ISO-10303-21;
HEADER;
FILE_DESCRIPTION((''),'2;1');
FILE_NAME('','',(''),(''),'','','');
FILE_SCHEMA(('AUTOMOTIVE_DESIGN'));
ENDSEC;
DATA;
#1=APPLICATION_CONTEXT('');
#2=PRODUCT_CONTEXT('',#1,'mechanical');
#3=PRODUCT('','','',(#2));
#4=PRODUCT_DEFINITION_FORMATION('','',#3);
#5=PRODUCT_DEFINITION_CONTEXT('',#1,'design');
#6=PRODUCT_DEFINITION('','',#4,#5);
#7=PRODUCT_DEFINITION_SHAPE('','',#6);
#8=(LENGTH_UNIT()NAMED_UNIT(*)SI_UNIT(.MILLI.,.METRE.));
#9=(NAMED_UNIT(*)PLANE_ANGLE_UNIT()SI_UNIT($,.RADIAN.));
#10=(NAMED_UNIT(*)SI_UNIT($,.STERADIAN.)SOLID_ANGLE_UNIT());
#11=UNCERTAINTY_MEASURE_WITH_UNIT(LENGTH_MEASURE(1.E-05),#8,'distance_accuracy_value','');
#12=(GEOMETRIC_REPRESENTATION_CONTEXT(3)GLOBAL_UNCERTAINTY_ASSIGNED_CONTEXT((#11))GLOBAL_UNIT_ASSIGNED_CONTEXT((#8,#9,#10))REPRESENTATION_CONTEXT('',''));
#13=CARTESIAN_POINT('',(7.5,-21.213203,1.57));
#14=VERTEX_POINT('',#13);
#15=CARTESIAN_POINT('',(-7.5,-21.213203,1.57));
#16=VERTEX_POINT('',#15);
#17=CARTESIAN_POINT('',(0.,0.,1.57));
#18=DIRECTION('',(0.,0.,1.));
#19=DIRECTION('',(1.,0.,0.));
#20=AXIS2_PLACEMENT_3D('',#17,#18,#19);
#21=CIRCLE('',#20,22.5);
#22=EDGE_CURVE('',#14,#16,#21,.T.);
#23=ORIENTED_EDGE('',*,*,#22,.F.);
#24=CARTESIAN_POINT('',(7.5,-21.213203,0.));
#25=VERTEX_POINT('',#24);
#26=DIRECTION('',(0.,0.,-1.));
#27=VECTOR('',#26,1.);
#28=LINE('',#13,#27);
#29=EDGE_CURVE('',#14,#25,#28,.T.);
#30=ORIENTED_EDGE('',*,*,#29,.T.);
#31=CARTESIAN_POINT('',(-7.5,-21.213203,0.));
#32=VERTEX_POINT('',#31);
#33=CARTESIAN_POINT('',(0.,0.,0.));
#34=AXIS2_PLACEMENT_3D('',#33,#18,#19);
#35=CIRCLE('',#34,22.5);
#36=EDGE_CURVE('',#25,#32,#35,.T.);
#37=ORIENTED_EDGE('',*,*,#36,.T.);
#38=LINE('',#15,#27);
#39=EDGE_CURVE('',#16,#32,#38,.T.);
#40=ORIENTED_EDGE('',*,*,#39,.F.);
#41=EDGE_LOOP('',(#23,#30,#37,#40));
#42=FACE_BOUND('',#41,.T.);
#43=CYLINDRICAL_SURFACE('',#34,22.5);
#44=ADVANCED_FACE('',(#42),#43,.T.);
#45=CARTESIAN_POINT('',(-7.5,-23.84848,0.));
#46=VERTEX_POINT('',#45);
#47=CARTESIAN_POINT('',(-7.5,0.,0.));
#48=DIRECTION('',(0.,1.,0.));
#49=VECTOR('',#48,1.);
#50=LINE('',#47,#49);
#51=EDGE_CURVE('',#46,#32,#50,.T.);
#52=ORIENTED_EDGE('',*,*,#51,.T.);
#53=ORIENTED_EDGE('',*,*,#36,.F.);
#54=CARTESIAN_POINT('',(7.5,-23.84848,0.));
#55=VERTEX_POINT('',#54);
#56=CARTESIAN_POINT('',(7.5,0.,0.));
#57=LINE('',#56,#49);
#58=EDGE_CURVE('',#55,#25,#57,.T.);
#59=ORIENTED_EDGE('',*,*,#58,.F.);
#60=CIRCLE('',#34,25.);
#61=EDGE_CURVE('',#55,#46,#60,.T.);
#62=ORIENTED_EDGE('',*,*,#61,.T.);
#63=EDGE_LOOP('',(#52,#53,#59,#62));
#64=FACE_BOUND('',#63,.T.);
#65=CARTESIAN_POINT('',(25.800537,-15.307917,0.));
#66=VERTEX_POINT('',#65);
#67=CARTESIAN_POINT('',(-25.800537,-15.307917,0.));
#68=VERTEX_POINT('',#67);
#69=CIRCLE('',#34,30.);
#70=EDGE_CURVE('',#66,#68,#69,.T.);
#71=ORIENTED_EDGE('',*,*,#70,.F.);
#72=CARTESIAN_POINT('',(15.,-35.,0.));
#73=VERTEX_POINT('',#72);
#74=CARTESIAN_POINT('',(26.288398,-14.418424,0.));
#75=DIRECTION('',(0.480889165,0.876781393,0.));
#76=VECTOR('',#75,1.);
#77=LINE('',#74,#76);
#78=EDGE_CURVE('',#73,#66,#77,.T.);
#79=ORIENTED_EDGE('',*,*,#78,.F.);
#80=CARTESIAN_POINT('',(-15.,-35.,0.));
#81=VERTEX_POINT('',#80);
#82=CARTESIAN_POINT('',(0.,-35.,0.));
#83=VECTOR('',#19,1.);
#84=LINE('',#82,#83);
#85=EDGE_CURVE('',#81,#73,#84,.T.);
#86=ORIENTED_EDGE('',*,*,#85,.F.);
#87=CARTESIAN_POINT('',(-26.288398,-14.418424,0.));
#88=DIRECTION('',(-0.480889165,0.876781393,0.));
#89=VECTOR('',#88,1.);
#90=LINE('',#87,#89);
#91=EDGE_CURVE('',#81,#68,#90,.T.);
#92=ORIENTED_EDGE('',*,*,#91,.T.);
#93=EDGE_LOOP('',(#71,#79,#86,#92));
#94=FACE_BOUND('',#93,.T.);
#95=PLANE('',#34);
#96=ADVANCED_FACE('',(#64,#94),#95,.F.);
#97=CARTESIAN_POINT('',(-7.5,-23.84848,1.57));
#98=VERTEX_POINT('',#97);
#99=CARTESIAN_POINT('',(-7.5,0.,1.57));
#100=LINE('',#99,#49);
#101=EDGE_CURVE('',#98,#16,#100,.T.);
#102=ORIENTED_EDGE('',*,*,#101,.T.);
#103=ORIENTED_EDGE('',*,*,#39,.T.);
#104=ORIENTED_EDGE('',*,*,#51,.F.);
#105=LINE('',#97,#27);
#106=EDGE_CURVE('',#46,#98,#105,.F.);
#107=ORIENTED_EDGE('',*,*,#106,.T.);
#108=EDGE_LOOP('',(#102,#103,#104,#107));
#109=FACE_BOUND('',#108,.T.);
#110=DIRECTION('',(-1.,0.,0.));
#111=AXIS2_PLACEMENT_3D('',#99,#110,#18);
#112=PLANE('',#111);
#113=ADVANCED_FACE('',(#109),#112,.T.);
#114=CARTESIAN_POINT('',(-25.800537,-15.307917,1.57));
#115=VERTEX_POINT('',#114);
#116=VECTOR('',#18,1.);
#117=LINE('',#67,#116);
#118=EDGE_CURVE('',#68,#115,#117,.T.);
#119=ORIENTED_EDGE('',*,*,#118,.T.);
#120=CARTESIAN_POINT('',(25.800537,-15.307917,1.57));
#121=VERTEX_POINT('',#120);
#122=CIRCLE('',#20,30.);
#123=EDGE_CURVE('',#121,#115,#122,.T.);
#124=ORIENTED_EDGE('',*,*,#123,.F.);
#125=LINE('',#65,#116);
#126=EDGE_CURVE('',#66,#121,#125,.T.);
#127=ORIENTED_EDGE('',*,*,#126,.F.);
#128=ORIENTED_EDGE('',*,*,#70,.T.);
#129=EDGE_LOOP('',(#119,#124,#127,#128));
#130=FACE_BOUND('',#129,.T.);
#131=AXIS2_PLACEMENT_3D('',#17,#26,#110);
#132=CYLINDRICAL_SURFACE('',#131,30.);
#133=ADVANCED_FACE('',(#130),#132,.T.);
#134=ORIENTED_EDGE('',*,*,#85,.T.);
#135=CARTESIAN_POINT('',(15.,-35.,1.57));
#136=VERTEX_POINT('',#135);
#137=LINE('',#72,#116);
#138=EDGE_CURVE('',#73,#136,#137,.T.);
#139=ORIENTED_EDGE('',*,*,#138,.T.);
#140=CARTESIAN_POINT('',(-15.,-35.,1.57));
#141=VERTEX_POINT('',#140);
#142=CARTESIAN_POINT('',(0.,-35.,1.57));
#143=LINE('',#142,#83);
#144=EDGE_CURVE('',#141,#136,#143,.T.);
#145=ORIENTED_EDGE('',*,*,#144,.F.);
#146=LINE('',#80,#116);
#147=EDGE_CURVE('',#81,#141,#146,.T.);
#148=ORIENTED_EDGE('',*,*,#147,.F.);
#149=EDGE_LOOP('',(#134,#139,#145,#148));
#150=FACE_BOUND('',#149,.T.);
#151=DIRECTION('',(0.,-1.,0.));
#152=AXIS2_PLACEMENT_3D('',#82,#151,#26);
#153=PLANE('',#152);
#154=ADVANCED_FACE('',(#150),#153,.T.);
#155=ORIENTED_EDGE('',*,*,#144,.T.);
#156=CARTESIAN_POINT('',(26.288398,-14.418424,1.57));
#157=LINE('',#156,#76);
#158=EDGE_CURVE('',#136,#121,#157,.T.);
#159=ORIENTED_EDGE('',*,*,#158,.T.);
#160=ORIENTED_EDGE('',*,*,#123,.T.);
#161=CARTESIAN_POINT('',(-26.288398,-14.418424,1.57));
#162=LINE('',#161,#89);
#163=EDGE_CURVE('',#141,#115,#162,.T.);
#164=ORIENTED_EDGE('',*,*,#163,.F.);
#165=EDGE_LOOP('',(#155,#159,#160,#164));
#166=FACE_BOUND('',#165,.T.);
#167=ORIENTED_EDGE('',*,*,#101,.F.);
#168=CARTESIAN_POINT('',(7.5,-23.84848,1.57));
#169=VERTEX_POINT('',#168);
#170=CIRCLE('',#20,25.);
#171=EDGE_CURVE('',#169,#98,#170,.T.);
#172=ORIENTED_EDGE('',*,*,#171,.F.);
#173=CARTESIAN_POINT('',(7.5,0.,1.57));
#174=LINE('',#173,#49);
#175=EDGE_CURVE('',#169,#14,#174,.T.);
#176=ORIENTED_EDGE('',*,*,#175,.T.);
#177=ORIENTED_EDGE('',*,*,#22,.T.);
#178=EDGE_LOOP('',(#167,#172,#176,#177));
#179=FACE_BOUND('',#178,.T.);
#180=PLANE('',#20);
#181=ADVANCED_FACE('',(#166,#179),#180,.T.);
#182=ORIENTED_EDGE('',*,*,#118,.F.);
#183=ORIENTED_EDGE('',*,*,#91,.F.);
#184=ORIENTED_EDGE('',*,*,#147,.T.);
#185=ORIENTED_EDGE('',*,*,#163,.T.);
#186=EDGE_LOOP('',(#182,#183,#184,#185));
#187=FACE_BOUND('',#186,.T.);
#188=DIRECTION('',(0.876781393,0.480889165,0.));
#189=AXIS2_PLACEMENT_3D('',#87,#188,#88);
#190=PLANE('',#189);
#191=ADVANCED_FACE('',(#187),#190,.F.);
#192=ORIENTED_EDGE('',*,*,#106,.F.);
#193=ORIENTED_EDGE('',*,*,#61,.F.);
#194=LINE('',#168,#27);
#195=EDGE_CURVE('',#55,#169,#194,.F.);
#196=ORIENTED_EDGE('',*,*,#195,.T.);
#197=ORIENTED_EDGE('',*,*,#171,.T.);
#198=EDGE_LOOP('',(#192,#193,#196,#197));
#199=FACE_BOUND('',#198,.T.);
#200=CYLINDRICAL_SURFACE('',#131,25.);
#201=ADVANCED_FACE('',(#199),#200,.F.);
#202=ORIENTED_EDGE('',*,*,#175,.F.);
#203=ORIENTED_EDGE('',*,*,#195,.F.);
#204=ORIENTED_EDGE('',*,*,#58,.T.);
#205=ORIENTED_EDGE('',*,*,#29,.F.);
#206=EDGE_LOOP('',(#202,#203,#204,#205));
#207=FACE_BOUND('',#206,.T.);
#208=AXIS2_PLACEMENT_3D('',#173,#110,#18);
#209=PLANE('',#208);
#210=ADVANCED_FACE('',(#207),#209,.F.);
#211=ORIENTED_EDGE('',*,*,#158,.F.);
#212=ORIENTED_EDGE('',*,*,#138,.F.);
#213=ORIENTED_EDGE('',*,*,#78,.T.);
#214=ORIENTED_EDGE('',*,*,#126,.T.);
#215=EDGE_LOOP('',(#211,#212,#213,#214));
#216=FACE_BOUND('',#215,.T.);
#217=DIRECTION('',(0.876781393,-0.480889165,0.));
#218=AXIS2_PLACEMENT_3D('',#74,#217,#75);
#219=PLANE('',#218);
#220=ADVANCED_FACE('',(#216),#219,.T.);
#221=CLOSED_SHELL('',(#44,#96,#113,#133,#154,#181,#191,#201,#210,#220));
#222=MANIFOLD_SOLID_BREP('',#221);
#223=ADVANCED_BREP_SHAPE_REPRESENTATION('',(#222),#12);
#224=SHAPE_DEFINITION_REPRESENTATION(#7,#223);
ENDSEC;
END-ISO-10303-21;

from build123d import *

# Parameters (mm, degrees)
ESBO_O1_R           = 30
ESBO_O1_R_2         = 25
BOSS_EXTRUDE1_DEPTH = 1.57
BOSS_EXTRUDE2_START = -1.57
BOSS_EXTRUDE2_DEPTH = 1.57
BOSS_EXTRUDE3_DEPTH = 1.57
BOSS_EXTRUDE4_START = -1.57
SKETCH4_R           = 22.5
BOSS_EXTRUDE4_DEPTH = 1.57


with BuildPart() as part:
    # Esboço1 → Boss-Extrude1 (new body)
    with BuildSketch(Plane.XY):
        Circle(ESBO_O1_R)
        Circle(ESBO_O1_R_2, mode=Mode.SUBTRACT)
    extrude(amount=BOSS_EXTRUDE1_DEPTH)

    # Sketch1 → Boss-Extrude2 (add)
    with BuildSketch(Plane.XY.offset(1.57).offset(BOSS_EXTRUDE2_START)):
        with BuildLine():
            Line((-25.800536663, -15.307916512), (-15, -35))
            Line((-15, -35), (-15, -25.980762114))
            ThreePointArc((-15, -25.980762114), (-21.086686707, -21.338970071), (-25.800536663, -15.307916512))
        make_face()
        with BuildLine():
            Line((-15, -35), (0, -35))
            Line((0, -35), (0, -30))
            ThreePointArc((0, -30), (-7.764571353, -28.977774789), (-15, -25.980762114))
            Line((-15, -25.980762114), (-15, -35))
        make_face()
        with BuildLine():
            Line((0, -35), (15, -35))
            Line((15, -35), (15, -25.980762114))
            ThreePointArc((15, -25.980762114), (7.764571353, -28.977774789), (0, -30))
            Line((0, -30), (0, -35))
        make_face()
        with BuildLine():
            Line((15, -25.980762114), (15, -35))
            Line((15, -35), (25.800536663, -15.307916512))
            ThreePointArc((25.800536663, -15.307916512), (21.086686707, -21.338970071), (15, -25.980762114))
        make_face()
    extrude(amount=BOSS_EXTRUDE2_DEPTH)

    # Sketch2 → Boss-Extrude3 (add)
    with BuildSketch(Plane.XY):
        with BuildLine():
            ThreePointArc((7.5, -21.213203436), (0, -22.5), (-7.5, -21.213203436))
            Line((-7.5, -21.213203436), (-7.5, -25))
            Line((-7.5, -25), (-2.5, -25))
            Line((-2.5, -25), (2.5, -25))
            Line((2.5, -25), (7.5, -25))
            Line((7.5, -25), (7.5, -21.213203436))
        make_face()
    extrude(amount=BOSS_EXTRUDE3_DEPTH)

    # Sketch4 → Boss-Extrude4 (add)
    with BuildSketch(Plane.XY.offset(1.57).offset(BOSS_EXTRUDE4_START)):
        Circle(SKETCH4_R)
    extrude(amount=BOSS_EXTRUDE4_DEPTH)


solid = part.part
